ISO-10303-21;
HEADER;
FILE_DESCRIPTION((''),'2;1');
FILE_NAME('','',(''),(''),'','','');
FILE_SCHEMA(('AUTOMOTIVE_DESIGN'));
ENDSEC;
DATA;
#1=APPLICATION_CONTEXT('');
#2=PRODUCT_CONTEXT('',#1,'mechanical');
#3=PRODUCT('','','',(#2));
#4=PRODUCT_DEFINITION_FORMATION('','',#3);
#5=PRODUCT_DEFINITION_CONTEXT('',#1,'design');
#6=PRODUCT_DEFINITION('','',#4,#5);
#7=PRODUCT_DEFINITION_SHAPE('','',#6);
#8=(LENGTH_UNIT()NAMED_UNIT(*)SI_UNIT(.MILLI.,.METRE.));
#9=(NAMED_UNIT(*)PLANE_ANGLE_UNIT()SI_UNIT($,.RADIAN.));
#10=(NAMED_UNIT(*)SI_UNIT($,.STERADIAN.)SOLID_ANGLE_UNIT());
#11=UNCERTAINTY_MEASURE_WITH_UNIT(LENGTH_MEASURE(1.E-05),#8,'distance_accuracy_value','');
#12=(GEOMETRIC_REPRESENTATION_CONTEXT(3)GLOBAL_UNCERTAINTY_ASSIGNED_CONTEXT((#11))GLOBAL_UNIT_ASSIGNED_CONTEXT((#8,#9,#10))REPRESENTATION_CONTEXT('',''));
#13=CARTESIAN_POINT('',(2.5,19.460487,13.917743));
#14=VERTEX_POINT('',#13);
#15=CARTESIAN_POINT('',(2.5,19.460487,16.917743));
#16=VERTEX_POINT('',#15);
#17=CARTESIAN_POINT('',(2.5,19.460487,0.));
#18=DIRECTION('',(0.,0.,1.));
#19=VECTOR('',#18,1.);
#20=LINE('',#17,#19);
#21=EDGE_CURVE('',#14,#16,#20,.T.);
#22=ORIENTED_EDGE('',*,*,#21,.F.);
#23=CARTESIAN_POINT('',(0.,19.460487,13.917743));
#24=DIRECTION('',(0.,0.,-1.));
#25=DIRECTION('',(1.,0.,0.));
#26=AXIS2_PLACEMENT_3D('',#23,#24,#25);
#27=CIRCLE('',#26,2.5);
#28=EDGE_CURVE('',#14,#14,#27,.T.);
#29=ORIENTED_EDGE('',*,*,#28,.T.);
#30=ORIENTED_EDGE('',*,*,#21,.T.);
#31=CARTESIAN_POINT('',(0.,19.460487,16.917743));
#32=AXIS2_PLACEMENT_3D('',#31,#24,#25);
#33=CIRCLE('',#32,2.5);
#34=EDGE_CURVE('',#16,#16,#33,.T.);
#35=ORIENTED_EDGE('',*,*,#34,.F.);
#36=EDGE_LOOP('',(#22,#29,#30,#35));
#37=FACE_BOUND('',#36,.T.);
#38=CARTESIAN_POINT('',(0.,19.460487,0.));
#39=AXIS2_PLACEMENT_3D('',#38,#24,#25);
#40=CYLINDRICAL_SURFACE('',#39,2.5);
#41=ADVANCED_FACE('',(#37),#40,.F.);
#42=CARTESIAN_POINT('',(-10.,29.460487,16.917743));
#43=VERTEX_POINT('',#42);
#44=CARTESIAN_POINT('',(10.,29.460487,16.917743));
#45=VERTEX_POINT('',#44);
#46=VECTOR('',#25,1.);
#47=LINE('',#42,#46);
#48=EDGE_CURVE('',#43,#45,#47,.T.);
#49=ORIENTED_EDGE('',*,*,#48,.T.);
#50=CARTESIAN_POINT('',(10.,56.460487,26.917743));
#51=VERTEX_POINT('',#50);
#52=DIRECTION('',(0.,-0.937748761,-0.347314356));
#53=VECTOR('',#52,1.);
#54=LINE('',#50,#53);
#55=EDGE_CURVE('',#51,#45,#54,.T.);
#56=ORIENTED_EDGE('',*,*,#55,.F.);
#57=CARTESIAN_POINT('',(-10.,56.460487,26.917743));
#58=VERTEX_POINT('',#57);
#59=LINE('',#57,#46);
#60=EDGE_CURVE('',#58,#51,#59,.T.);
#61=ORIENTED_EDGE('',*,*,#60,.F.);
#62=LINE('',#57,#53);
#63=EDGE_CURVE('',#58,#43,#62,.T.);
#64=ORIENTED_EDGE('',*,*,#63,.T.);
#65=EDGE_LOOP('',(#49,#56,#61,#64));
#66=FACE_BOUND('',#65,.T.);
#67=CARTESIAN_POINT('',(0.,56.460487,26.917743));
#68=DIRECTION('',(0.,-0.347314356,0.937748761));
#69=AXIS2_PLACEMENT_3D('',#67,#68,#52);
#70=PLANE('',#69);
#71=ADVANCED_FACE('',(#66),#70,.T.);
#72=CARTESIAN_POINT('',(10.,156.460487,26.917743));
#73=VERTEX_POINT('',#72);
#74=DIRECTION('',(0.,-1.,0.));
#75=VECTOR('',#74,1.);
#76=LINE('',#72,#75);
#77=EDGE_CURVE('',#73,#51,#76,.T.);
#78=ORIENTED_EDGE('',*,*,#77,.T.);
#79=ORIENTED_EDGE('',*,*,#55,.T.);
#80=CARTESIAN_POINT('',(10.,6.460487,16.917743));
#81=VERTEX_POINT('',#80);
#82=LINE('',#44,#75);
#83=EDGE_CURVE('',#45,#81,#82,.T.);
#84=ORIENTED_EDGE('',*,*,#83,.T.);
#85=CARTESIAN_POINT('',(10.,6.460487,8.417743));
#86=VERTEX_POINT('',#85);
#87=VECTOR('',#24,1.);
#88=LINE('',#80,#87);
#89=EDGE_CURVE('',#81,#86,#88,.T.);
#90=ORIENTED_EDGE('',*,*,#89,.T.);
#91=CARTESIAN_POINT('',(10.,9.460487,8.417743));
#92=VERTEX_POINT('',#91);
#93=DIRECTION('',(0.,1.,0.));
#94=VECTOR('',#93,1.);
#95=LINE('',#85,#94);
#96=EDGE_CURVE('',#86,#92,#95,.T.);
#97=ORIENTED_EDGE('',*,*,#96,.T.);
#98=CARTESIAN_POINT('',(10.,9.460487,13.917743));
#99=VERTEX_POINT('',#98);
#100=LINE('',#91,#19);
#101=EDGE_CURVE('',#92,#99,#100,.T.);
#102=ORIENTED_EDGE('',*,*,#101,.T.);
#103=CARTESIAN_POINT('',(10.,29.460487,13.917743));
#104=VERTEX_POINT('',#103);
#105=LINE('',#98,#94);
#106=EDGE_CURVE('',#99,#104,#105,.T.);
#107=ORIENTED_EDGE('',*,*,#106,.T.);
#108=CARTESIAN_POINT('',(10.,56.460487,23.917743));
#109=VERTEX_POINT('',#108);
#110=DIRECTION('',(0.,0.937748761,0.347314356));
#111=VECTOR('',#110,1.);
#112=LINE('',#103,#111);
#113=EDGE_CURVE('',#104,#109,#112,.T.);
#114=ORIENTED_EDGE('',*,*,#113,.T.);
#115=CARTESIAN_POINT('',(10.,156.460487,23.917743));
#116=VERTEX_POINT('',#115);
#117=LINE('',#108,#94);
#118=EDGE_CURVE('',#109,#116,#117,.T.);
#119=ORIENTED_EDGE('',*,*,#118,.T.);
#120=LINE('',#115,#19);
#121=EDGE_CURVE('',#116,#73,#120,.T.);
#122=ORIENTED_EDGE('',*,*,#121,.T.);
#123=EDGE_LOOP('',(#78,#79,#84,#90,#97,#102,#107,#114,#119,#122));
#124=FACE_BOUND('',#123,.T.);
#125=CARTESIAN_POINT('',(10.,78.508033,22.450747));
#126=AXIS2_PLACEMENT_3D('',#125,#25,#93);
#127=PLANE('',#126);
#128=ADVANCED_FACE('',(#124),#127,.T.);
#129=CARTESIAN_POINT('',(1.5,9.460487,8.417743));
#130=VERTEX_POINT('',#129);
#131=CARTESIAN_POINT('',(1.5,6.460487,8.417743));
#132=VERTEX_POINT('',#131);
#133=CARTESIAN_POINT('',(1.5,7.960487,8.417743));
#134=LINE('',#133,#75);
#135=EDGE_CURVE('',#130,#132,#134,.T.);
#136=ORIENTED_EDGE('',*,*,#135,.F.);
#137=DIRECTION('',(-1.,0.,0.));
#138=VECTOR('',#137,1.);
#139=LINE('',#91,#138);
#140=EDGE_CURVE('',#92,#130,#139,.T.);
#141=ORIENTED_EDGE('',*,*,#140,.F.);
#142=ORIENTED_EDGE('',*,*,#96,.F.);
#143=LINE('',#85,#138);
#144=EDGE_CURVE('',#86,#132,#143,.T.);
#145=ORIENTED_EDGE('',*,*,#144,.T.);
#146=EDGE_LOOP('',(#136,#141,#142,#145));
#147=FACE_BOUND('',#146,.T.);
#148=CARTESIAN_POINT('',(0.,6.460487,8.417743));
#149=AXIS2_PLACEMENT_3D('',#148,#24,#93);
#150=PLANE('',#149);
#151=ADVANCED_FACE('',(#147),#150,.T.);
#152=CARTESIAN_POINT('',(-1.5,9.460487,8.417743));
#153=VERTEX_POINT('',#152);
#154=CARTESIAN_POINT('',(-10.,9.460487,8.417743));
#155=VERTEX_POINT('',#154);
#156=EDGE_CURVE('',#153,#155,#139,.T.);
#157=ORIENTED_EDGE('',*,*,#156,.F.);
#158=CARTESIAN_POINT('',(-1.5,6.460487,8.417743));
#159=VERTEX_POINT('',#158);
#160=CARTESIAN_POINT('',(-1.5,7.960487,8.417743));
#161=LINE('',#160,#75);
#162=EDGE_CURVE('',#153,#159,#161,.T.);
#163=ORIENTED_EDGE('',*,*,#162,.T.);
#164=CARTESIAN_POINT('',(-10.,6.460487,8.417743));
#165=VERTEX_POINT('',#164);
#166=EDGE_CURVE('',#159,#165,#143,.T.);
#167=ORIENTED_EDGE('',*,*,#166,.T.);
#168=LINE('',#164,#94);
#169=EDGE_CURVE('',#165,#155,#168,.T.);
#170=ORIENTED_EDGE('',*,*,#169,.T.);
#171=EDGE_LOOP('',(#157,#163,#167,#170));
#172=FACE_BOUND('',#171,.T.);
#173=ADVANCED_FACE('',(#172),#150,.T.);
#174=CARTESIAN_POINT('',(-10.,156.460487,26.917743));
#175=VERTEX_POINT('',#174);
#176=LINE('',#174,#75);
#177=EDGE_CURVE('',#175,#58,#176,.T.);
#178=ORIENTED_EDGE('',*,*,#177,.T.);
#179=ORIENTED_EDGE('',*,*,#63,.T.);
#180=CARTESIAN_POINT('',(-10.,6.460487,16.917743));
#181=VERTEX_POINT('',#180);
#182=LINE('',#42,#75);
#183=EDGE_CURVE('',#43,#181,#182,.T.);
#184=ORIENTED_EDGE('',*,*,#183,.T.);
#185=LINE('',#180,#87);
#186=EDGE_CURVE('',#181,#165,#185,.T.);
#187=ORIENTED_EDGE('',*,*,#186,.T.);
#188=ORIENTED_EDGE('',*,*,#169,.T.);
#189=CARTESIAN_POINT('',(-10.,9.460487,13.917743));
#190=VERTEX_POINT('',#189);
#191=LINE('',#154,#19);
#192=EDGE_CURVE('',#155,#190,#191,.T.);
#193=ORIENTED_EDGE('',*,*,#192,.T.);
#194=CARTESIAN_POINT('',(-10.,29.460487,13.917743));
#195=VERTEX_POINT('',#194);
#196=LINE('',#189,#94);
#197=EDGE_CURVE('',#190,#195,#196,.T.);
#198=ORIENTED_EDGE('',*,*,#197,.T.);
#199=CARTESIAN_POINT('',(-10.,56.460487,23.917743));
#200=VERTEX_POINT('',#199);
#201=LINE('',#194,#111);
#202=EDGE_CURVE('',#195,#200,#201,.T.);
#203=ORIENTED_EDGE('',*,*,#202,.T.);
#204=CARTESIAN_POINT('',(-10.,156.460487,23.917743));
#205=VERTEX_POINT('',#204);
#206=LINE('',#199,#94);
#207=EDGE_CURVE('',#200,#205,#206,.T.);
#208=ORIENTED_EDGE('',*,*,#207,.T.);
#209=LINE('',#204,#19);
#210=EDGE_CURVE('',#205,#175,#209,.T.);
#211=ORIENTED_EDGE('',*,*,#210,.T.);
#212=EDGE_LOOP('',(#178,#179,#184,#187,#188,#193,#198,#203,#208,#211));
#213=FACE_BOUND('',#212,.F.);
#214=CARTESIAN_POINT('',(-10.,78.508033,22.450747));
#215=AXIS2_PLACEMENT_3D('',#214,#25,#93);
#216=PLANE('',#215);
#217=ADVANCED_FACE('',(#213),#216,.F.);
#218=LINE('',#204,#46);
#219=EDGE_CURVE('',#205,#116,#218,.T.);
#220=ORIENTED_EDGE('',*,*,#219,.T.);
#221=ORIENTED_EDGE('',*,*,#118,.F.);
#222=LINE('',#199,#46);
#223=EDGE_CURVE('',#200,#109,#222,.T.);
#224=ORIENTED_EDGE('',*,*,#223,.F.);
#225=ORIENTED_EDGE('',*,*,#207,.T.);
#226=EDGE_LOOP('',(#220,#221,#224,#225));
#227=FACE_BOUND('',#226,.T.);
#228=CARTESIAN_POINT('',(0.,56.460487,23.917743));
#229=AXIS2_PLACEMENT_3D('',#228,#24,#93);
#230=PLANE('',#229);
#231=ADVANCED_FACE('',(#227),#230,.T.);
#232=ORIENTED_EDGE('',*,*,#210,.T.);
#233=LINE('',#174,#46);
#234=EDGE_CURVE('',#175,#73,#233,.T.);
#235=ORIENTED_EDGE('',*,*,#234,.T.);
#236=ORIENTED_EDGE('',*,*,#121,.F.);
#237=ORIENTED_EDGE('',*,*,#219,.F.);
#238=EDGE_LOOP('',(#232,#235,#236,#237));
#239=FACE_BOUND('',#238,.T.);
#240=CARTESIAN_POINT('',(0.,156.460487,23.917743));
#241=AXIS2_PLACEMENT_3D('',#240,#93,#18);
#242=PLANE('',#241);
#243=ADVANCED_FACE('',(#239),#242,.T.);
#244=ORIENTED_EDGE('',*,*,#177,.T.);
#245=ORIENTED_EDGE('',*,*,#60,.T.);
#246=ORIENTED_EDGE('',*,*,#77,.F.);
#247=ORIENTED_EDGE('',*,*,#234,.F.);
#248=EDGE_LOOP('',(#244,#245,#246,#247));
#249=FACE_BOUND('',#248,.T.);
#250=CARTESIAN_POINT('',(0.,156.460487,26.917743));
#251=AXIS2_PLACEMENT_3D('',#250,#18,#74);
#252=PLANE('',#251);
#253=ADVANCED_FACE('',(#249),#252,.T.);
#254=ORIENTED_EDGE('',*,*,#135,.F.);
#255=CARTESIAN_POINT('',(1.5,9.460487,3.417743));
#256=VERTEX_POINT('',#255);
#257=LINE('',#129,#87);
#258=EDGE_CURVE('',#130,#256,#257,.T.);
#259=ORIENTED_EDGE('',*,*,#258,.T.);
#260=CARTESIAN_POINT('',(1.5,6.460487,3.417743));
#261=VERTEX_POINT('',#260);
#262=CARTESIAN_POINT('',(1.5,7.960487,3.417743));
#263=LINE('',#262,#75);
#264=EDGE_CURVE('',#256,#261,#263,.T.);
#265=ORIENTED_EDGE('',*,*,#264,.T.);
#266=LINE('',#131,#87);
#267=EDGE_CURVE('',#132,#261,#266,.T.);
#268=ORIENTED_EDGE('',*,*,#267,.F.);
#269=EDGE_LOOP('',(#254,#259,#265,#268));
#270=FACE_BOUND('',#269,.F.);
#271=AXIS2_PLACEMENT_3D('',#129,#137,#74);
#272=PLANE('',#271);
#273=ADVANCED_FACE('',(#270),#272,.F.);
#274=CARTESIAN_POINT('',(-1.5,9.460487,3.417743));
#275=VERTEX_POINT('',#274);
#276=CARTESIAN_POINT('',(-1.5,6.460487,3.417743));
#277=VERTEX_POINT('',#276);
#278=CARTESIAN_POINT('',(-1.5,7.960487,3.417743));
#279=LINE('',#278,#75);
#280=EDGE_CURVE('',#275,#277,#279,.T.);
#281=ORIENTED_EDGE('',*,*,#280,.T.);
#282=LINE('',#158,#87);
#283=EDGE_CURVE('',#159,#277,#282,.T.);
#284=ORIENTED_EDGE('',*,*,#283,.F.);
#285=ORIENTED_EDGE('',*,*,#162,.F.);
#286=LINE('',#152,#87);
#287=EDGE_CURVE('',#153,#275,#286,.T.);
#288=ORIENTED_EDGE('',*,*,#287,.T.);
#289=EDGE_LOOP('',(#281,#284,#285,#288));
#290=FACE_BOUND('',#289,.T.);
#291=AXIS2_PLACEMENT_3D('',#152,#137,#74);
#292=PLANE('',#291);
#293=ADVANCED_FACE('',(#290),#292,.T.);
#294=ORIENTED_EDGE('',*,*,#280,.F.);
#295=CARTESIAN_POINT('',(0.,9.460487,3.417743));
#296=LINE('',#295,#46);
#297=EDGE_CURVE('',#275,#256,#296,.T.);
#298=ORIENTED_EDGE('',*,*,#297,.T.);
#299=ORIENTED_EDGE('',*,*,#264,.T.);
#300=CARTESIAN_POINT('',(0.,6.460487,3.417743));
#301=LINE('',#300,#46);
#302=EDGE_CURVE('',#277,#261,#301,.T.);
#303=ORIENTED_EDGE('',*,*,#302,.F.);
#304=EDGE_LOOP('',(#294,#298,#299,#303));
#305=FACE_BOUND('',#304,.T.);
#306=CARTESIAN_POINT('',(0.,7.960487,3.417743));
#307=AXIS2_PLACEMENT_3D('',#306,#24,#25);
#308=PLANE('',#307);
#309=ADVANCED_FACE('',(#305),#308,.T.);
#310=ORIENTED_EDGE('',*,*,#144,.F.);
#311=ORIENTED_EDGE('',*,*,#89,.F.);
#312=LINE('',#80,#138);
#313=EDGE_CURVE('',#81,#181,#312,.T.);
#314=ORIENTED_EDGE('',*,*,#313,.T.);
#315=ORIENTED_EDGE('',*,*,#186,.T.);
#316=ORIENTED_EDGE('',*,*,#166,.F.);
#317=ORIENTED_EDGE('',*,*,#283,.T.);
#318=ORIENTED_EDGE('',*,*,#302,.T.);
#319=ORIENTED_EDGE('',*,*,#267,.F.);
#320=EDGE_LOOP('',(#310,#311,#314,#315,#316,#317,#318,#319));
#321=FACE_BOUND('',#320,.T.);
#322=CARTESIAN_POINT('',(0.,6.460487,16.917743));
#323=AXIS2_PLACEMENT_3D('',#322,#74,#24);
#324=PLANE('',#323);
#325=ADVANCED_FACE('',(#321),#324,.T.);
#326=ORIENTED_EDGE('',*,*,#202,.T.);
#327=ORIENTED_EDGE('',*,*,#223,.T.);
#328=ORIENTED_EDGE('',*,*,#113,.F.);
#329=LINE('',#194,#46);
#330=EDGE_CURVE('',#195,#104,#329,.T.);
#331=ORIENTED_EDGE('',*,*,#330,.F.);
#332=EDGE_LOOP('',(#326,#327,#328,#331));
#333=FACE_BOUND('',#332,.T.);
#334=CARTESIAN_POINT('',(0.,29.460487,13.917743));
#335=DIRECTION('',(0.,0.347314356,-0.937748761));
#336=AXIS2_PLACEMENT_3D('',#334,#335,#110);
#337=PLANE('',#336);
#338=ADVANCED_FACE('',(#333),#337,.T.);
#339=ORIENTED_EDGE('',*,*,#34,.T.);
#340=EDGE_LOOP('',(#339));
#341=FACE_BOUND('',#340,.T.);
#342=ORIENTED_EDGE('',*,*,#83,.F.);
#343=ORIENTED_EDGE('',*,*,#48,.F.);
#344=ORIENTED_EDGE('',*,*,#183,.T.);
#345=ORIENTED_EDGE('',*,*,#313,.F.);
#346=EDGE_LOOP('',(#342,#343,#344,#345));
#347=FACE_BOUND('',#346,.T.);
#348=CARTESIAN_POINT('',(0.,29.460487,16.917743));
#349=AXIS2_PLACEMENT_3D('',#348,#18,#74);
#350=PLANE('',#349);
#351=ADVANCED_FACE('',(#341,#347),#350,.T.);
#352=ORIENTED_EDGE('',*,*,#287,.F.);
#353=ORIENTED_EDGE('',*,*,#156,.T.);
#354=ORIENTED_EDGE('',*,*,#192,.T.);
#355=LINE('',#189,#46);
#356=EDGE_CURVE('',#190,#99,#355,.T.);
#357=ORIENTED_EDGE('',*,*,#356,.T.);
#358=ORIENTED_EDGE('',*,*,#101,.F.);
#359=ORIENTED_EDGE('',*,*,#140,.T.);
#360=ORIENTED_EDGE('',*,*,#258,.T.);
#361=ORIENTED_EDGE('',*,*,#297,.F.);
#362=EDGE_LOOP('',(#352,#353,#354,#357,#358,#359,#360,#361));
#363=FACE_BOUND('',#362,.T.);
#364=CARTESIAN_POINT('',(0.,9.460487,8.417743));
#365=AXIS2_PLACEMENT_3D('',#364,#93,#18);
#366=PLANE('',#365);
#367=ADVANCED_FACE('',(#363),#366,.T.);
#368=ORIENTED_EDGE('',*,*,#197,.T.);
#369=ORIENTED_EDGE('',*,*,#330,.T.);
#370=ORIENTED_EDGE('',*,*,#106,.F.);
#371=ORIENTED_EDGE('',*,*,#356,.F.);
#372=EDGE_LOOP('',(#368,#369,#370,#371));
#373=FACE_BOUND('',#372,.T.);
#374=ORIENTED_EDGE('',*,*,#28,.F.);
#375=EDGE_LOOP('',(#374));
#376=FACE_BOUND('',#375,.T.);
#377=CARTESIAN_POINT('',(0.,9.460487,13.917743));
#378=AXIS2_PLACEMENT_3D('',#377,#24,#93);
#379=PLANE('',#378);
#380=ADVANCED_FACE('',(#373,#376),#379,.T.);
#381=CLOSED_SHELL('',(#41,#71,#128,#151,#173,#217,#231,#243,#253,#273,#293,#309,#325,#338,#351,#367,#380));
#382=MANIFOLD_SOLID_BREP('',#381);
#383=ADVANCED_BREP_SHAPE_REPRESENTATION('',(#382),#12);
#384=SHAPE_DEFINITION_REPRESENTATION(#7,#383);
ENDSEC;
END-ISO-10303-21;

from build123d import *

# Parameters (mm, degrees)
F1_DEPTH = 10
F2_R     = 2.5
F3_DEPTH = 26.918743
F4_W     = 3
F4_H     = 3
F5_DEPTH = 5


with BuildPart() as f1:
    # F0 (on Right) → F1 (new body, symmetric)
    with BuildSketch(Plane.YZ):
        Polygon((9.460487, 8.417743), (9.460487, 13.917743), (29.460487, 13.917743), (56.460487, 23.917743), (156.460487, 23.917743), (156.460487, 26.917743), (56.460487, 26.917743), (29.460487, 16.917743), (6.460487, 16.917743), (6.460487, 8.417743), align=None)
    extrude(amount=F1_DEPTH, both=True)

    # F2 (on Top) → F3 (cut, through all)
    with BuildSketch(Plane.XY):
        with Locations((0, 19.460487)):
            Circle(F2_R)
    extrude(amount=F3_DEPTH, mode=Mode.SUBTRACT)

    # F4 (on face) → F5 (join)
    with BuildSketch(Plane(origin=(0, 0, 8.417743), x_dir=(1, 0, 0), z_dir=(0, 0, -1))):
        with Locations((0, -7.960487)):
            Rectangle(F4_W, F4_H)
    extrude(amount=F5_DEPTH)


solid = f1.part
